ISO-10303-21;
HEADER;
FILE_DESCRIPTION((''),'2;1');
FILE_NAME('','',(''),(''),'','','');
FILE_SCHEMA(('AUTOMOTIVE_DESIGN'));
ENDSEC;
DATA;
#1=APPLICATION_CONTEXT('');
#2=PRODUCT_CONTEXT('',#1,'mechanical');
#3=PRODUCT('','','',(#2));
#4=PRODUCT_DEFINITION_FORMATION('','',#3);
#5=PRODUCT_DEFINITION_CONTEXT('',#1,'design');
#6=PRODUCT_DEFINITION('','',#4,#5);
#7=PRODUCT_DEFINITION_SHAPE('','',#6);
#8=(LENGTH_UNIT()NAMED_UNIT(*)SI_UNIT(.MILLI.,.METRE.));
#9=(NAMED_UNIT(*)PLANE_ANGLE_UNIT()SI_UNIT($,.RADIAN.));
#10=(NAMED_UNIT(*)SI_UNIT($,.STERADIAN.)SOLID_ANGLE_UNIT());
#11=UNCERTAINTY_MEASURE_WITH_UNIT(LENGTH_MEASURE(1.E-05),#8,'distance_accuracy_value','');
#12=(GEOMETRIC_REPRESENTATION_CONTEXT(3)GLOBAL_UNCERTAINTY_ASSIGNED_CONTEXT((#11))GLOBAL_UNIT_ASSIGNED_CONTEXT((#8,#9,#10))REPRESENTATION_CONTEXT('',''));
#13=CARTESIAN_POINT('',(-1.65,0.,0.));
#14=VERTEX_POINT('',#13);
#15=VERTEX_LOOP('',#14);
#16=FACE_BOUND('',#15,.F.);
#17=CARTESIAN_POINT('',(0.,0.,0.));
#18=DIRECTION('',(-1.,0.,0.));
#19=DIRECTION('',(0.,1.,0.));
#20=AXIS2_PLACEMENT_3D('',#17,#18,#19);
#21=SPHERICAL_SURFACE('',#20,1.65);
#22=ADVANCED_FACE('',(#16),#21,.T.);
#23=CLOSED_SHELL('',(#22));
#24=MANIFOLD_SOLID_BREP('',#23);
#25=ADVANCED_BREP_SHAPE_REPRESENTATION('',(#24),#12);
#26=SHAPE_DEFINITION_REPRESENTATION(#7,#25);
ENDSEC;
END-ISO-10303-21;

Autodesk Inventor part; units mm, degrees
sketch "Sketch_1" plane through (0, 0, 0) normal (0, 0, 1) x (1, 0, 0)
  line L0 (1.65, 0) -> (-1.65, 0)
  arc A0 (1.65, 0) -> (-1.65, 0) centre (0, 0) ccw
  line L1 (1.65, 0) -> (-1.65, 0)
revolve "Revolution1" add sketch "Sketch_1" angle 360 about axis through (1.65, 0, 0) along (1, 0, 0)
ref_plane "ip_st_1_XY" through (0, 0, 0) normal (-1, 0, 0) x (0, 0, -1)
ref_plane "ip_st_1_YZ" through (0, 0, 0) normal (0, 0, -1) x (0, -1, 0)
ref_plane "ip_st_1_ZX" through (0, 0, 0) normal (0, -1, 0) x (-1, 0, 0)
properties part number "F606ZZ Ball" material "鋼、炭素鋼"
